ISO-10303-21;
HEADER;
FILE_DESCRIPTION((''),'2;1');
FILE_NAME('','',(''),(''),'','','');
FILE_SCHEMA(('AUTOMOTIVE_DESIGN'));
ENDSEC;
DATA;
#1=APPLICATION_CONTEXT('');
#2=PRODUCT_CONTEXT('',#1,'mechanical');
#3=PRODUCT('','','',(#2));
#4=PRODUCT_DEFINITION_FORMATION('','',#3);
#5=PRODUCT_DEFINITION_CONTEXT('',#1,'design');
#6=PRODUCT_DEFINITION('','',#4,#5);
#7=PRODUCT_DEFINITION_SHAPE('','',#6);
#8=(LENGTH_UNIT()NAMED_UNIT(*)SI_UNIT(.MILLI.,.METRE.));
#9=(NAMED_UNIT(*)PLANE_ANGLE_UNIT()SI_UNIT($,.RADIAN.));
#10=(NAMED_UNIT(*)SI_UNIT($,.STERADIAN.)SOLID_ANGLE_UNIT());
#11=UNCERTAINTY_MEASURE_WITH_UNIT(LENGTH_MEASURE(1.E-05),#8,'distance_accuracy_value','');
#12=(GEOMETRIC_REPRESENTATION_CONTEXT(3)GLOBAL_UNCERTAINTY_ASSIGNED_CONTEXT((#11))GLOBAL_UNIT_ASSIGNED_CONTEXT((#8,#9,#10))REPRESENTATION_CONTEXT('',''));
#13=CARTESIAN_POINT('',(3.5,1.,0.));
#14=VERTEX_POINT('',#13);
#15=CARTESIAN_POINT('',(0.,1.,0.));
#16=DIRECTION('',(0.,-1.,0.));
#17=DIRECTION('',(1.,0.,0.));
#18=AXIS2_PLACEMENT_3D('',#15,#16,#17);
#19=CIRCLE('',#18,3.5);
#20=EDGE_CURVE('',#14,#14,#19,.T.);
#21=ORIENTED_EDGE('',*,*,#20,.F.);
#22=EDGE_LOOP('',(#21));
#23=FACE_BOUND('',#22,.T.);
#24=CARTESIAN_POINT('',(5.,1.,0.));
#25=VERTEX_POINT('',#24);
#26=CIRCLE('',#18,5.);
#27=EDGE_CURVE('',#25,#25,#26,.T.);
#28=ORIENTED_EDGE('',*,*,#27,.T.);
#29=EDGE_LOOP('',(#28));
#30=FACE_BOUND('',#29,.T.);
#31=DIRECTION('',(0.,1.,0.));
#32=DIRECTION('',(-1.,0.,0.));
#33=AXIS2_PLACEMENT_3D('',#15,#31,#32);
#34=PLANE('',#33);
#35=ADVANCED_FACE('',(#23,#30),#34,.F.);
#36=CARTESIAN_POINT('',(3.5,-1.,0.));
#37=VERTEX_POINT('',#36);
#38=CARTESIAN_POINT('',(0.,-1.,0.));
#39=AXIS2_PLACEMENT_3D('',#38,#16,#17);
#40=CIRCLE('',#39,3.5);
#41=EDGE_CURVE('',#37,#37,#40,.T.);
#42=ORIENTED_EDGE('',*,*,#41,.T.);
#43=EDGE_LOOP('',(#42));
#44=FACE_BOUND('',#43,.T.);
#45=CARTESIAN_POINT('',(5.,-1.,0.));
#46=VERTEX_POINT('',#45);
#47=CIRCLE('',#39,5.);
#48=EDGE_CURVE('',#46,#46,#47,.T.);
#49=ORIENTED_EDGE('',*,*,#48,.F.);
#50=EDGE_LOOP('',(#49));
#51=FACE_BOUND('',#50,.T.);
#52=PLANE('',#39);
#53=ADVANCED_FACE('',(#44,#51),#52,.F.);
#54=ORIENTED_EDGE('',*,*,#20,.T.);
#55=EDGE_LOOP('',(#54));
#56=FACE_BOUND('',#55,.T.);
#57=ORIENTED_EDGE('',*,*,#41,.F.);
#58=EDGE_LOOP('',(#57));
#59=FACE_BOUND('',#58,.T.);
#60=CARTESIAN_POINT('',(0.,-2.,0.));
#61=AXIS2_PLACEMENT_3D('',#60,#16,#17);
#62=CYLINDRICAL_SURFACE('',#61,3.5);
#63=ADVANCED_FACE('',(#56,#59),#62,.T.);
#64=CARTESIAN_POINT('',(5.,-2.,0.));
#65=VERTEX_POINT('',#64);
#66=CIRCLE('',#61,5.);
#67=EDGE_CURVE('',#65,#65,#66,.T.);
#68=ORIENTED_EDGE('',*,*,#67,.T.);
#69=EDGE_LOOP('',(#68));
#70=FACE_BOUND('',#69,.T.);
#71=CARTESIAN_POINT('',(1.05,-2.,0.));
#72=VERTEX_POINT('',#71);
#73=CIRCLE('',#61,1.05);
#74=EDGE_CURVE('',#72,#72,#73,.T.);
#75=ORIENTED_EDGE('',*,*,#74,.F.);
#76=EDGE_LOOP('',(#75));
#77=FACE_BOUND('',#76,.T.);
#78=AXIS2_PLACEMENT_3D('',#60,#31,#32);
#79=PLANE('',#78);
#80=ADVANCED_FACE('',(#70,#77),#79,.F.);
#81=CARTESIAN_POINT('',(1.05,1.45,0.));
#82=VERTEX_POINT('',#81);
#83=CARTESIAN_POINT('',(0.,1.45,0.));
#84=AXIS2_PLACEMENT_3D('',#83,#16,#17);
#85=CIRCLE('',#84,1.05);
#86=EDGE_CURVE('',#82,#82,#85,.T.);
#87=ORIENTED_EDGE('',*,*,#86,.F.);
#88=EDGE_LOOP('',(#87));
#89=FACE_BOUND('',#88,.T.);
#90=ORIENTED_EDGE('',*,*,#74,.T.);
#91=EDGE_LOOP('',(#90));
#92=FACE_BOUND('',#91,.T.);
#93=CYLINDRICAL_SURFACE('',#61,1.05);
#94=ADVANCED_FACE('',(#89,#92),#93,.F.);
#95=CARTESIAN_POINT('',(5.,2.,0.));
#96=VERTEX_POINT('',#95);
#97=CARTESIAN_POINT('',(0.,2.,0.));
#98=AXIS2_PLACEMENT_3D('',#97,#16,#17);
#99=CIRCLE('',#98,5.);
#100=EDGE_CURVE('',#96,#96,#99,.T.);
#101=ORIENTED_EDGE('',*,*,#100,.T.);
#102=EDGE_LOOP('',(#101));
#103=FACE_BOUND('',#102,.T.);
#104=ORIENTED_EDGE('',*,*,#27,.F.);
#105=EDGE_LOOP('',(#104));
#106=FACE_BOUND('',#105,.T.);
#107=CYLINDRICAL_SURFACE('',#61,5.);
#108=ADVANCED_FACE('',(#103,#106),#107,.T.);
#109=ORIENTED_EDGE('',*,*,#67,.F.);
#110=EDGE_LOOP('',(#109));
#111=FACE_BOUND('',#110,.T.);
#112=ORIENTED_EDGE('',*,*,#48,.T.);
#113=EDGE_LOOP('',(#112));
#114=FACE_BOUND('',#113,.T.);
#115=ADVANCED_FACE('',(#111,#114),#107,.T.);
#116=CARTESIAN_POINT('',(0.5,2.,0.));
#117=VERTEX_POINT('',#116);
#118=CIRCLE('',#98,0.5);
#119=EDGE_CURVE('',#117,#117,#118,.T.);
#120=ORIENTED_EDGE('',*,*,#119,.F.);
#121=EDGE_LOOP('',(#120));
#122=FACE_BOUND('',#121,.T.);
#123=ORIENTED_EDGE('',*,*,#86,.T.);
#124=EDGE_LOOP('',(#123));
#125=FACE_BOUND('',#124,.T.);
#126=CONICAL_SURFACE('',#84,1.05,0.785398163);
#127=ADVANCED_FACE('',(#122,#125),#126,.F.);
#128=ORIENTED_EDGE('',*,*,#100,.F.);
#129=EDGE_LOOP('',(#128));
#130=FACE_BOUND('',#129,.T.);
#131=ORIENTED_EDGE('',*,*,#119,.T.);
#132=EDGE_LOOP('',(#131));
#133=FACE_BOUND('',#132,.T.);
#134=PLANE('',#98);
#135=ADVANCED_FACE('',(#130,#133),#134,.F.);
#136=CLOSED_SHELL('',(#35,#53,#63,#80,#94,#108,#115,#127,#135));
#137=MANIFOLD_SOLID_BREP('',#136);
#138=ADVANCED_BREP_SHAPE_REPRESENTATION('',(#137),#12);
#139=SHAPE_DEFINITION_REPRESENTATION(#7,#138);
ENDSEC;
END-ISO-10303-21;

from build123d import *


with BuildPart() as part:
    # Sketch2 → Revolve1 (revolve)
    with BuildSketch(Plane.XY, mode=Mode.PRIVATE) as revolve1_sk:
        Polygon((-0.5, 2), (-5, 2), (-5, 1), (-3.5, 1), (-3.5, -1), (-5, -1), (-5, -2), (-1.05, -2), (-1.05, 1.45), align=None)
    revolve(revolve1_sk.sketch.rotate(Axis((0, -2, 0), (0, 1, 0)), 180), axis=Axis((0, -2, 0), (0, 1, 0)))


solid = part.part
